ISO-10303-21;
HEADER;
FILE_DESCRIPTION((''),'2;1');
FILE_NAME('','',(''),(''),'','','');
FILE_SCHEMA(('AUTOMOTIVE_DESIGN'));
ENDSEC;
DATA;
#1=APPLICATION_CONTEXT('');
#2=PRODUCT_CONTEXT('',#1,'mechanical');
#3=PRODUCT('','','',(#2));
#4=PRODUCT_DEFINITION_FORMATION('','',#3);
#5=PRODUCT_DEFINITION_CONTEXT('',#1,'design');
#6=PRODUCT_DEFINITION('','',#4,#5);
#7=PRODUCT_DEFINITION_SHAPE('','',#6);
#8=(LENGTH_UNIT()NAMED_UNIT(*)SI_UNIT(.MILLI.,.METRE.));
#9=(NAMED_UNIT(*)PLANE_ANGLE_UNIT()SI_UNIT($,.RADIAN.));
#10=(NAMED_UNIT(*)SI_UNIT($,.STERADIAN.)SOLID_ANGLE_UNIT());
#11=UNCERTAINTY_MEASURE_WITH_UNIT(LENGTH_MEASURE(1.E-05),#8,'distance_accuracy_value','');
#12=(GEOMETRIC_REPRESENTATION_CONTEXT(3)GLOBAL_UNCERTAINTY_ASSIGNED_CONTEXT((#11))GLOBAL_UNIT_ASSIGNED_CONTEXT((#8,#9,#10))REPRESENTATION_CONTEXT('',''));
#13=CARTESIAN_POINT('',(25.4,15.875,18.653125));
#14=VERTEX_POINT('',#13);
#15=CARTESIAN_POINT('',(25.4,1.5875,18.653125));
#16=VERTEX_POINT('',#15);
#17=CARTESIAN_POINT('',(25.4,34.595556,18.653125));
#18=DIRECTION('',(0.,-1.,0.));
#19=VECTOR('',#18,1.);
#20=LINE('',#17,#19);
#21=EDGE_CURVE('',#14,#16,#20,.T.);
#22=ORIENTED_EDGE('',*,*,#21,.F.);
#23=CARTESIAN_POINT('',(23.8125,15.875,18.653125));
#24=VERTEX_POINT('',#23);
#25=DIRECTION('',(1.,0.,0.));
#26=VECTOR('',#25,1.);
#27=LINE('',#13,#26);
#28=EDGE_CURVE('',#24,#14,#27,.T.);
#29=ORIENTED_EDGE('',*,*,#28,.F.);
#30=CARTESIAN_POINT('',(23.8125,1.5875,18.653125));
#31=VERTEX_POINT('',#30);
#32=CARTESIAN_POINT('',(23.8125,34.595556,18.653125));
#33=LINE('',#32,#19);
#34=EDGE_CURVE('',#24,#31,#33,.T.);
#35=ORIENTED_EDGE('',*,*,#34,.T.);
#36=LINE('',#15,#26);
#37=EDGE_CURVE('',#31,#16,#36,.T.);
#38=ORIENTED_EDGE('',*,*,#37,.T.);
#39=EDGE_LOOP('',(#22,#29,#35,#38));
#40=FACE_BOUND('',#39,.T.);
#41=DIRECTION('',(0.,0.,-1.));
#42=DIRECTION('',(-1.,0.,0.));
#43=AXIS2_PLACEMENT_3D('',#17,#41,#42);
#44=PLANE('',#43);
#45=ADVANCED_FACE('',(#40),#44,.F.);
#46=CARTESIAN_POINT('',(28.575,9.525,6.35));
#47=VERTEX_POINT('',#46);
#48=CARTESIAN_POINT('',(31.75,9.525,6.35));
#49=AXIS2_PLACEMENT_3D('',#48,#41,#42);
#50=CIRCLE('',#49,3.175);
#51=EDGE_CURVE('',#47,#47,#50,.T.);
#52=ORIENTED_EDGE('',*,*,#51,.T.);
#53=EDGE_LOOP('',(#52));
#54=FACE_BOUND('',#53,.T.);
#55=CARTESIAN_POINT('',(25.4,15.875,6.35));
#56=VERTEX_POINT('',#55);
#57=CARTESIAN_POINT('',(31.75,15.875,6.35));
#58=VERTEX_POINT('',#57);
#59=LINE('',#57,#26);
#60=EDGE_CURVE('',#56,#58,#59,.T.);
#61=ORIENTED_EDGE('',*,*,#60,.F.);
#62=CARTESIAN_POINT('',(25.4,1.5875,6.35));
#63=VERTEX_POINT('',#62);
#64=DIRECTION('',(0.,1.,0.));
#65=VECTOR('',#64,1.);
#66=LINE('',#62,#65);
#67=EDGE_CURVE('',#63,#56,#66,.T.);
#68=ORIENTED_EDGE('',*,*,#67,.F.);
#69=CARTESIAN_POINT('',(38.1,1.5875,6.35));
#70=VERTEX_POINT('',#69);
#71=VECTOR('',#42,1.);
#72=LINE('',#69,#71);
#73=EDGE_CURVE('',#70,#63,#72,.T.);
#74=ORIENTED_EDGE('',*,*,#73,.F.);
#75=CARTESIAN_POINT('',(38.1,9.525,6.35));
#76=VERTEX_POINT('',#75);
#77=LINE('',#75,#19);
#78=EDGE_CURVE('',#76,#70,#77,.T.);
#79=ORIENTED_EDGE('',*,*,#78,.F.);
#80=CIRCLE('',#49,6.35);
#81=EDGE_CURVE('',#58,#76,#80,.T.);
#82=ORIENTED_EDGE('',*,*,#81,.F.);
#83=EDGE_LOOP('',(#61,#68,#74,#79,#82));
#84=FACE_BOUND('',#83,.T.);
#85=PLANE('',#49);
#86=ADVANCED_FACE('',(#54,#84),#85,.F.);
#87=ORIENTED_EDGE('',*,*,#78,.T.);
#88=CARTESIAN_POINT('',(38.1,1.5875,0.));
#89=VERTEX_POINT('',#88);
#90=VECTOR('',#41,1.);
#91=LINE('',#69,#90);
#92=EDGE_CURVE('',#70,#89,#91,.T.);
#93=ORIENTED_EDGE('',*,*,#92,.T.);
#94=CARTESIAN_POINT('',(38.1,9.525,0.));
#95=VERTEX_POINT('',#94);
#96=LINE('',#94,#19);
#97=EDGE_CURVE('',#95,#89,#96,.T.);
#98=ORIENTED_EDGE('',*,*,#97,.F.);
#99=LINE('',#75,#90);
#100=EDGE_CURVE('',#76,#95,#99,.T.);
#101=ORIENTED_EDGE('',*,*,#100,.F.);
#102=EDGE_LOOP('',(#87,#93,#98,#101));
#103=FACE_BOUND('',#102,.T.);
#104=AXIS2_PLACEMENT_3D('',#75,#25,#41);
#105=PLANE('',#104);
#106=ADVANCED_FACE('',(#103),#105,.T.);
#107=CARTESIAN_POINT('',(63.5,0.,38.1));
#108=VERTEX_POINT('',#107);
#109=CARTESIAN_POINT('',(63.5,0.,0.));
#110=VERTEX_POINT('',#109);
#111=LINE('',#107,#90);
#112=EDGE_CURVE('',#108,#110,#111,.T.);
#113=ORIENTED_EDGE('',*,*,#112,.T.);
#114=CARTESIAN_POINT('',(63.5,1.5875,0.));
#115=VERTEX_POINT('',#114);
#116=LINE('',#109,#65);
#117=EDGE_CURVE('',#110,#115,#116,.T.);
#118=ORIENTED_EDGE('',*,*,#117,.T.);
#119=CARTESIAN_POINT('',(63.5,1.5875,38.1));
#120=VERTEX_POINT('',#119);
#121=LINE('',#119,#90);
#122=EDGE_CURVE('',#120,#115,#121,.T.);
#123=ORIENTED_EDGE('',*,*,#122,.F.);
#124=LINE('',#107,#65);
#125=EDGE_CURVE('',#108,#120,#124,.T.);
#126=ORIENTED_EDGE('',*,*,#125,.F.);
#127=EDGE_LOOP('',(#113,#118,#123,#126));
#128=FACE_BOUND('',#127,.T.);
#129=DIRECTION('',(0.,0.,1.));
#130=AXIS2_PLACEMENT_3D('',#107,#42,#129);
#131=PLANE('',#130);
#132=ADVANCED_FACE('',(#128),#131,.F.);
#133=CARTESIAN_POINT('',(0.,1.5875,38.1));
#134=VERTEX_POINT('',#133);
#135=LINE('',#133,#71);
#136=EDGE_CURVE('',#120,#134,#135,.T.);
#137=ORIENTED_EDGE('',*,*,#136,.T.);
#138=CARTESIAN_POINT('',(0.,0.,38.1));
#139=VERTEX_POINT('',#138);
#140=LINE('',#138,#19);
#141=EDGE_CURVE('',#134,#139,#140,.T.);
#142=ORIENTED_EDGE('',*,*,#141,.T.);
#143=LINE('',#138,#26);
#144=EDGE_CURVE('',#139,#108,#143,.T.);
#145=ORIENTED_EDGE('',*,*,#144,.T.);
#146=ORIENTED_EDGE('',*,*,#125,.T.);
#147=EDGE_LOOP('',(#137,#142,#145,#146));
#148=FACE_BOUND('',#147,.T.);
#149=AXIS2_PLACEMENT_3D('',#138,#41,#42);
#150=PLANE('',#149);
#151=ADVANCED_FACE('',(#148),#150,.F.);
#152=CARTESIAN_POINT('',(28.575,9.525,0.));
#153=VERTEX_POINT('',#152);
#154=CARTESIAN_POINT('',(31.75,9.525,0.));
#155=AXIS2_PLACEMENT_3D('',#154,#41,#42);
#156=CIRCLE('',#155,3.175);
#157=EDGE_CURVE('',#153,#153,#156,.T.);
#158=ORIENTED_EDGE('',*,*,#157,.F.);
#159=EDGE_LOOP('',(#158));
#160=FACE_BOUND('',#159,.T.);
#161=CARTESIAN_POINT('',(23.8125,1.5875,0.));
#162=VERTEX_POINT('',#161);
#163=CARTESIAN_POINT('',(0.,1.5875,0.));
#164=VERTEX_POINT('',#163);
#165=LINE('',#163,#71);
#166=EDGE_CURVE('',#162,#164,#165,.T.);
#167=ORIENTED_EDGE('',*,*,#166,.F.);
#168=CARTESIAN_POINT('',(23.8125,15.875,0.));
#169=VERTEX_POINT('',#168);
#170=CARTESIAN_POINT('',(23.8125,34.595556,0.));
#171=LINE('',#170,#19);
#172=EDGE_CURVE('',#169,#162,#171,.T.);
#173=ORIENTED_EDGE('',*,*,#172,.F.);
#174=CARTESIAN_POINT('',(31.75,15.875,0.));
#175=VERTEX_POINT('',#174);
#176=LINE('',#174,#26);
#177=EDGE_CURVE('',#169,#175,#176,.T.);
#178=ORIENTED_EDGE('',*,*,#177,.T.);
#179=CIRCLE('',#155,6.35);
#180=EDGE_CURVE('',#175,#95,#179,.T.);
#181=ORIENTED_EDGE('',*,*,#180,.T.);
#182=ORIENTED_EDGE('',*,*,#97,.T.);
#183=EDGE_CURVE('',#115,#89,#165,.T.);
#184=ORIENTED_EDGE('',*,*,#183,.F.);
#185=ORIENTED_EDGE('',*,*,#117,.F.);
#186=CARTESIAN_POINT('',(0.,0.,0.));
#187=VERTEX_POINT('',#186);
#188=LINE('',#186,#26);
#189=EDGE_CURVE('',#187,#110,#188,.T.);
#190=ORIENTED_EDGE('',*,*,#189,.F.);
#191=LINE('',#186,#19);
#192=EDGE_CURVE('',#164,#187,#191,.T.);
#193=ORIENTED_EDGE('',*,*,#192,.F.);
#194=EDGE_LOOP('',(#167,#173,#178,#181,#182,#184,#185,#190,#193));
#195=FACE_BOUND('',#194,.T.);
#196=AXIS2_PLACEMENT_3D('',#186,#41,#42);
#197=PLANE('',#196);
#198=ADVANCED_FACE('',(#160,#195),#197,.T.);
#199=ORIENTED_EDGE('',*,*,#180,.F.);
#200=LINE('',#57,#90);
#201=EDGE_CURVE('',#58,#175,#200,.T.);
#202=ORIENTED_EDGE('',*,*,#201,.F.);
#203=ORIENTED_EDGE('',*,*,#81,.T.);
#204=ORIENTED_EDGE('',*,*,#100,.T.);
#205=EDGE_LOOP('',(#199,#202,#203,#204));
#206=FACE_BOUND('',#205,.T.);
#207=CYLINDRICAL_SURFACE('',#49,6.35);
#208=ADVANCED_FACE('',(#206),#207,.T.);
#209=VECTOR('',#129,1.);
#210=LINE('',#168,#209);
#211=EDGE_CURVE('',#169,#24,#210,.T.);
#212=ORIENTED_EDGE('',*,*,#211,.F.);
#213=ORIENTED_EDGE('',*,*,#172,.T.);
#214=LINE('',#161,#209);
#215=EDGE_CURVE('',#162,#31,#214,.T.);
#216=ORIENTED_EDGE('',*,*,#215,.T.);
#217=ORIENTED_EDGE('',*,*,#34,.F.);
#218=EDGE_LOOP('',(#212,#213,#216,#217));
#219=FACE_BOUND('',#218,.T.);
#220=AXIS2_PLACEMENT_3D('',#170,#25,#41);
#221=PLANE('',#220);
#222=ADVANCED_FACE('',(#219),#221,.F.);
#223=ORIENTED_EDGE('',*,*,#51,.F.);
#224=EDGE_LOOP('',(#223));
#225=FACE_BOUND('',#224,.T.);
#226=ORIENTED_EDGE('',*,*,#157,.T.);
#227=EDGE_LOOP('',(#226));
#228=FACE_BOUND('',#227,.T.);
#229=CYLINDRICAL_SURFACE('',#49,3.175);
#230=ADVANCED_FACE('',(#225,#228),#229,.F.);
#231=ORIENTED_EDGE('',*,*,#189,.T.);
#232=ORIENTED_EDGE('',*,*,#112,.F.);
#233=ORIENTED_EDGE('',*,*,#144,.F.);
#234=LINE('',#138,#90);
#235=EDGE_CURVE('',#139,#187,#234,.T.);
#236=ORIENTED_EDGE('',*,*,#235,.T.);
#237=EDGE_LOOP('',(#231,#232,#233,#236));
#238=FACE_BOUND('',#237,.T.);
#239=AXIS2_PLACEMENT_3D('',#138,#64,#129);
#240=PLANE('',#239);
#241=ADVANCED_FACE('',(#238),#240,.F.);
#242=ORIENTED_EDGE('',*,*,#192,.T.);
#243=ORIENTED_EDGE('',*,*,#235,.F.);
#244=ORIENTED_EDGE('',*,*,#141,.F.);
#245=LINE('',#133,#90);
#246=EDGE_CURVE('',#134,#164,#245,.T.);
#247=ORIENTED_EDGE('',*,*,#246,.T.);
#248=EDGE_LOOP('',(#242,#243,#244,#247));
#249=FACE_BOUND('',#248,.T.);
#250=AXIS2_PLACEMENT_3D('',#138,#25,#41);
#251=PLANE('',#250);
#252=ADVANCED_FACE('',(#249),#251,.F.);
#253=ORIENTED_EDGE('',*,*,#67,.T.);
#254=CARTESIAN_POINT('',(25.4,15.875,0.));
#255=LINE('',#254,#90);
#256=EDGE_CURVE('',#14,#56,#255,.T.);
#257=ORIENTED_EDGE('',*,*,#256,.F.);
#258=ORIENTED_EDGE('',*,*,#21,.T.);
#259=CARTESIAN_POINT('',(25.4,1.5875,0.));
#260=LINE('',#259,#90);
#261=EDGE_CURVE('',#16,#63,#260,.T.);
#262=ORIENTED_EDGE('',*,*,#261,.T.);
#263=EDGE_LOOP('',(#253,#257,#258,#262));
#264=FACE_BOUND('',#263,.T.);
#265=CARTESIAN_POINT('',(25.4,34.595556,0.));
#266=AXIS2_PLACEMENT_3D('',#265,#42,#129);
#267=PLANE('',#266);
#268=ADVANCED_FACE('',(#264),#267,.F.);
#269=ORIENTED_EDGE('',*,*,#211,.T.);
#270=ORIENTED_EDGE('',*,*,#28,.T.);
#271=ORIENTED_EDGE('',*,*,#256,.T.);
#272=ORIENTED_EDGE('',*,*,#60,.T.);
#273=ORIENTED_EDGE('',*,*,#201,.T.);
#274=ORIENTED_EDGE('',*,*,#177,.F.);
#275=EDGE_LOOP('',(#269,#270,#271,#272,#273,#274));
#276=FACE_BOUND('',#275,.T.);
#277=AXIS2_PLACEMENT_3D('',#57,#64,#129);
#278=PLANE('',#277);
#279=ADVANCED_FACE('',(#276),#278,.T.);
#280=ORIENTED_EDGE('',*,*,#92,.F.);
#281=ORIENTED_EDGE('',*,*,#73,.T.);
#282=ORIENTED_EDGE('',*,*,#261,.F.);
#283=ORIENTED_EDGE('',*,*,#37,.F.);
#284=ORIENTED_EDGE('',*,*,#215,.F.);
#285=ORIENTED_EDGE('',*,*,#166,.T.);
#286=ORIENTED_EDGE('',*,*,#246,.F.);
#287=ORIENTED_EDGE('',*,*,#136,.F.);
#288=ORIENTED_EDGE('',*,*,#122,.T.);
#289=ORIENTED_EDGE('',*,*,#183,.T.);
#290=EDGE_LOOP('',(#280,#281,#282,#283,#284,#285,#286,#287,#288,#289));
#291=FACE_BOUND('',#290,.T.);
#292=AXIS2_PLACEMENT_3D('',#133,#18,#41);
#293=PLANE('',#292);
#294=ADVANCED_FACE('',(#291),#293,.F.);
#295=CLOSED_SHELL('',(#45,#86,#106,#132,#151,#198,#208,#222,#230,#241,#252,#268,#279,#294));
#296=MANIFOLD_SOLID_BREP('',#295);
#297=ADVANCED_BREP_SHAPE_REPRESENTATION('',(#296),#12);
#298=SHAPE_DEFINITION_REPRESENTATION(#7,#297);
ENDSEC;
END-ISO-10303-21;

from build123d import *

# Parameters (mm, degrees)
SKETCH1_W           = 63.5
SKETCH1_H           = 1.5875
BOSS_EXTRUDE1_DEPTH = 38.1
SKETCH2_R           = 3.175
BOSS_EXTRUDE2_DEPTH = 6.35
SKETCH3_W           = 1.5875
SKETCH3_H           = 18.653125
BOSS_EXTRUDE3_DEPTH = 14.2875


with BuildPart() as part:
    # Sketch1 → Boss-Extrude1 (new body)
    with BuildSketch(Plane.XY):
        with Locations((31.75, 0.79375)):
            Rectangle(SKETCH1_W, SKETCH1_H)
    extrude(amount=BOSS_EXTRUDE1_DEPTH)

    # Sketch2 → Boss-Extrude2 (add)
    with BuildSketch(Plane(origin=(0, 0, 0), x_dir=(-1, 0, 0), z_dir=(0, 0, -1))):
        with BuildLine():
            Line((-38.1, 9.525), (-38.1, 1.5875))
            Line((-38.1, 1.5875), (-25.4, 1.5875))
            Line((-25.4, 1.5875), (-25.4, 9.525))
            Line((-25.4, 9.525), (-25.4, 15.875))
            Line((-25.4, 15.875), (-31.75, 15.875))
            ThreePointArc((-31.75, 15.875), (-36.240128061, 14.015128061), (-38.1, 9.525))
        make_face()
        with Locations((-31.75, 9.525)):
            Circle(SKETCH2_R, mode=Mode.SUBTRACT)
    extrude(amount=-BOSS_EXTRUDE2_DEPTH)

    # Sketch3 → Boss-Extrude3 (add)
    with BuildSketch(Plane(origin=(0, 1.5875, 0), x_dir=(1, 0, 0), z_dir=(0, 1, 0))):
        with Locations((24.60625, -9.3265625)):
            Rectangle(SKETCH3_W, SKETCH3_H)
    extrude(amount=BOSS_EXTRUDE3_DEPTH)


solid = part.part
